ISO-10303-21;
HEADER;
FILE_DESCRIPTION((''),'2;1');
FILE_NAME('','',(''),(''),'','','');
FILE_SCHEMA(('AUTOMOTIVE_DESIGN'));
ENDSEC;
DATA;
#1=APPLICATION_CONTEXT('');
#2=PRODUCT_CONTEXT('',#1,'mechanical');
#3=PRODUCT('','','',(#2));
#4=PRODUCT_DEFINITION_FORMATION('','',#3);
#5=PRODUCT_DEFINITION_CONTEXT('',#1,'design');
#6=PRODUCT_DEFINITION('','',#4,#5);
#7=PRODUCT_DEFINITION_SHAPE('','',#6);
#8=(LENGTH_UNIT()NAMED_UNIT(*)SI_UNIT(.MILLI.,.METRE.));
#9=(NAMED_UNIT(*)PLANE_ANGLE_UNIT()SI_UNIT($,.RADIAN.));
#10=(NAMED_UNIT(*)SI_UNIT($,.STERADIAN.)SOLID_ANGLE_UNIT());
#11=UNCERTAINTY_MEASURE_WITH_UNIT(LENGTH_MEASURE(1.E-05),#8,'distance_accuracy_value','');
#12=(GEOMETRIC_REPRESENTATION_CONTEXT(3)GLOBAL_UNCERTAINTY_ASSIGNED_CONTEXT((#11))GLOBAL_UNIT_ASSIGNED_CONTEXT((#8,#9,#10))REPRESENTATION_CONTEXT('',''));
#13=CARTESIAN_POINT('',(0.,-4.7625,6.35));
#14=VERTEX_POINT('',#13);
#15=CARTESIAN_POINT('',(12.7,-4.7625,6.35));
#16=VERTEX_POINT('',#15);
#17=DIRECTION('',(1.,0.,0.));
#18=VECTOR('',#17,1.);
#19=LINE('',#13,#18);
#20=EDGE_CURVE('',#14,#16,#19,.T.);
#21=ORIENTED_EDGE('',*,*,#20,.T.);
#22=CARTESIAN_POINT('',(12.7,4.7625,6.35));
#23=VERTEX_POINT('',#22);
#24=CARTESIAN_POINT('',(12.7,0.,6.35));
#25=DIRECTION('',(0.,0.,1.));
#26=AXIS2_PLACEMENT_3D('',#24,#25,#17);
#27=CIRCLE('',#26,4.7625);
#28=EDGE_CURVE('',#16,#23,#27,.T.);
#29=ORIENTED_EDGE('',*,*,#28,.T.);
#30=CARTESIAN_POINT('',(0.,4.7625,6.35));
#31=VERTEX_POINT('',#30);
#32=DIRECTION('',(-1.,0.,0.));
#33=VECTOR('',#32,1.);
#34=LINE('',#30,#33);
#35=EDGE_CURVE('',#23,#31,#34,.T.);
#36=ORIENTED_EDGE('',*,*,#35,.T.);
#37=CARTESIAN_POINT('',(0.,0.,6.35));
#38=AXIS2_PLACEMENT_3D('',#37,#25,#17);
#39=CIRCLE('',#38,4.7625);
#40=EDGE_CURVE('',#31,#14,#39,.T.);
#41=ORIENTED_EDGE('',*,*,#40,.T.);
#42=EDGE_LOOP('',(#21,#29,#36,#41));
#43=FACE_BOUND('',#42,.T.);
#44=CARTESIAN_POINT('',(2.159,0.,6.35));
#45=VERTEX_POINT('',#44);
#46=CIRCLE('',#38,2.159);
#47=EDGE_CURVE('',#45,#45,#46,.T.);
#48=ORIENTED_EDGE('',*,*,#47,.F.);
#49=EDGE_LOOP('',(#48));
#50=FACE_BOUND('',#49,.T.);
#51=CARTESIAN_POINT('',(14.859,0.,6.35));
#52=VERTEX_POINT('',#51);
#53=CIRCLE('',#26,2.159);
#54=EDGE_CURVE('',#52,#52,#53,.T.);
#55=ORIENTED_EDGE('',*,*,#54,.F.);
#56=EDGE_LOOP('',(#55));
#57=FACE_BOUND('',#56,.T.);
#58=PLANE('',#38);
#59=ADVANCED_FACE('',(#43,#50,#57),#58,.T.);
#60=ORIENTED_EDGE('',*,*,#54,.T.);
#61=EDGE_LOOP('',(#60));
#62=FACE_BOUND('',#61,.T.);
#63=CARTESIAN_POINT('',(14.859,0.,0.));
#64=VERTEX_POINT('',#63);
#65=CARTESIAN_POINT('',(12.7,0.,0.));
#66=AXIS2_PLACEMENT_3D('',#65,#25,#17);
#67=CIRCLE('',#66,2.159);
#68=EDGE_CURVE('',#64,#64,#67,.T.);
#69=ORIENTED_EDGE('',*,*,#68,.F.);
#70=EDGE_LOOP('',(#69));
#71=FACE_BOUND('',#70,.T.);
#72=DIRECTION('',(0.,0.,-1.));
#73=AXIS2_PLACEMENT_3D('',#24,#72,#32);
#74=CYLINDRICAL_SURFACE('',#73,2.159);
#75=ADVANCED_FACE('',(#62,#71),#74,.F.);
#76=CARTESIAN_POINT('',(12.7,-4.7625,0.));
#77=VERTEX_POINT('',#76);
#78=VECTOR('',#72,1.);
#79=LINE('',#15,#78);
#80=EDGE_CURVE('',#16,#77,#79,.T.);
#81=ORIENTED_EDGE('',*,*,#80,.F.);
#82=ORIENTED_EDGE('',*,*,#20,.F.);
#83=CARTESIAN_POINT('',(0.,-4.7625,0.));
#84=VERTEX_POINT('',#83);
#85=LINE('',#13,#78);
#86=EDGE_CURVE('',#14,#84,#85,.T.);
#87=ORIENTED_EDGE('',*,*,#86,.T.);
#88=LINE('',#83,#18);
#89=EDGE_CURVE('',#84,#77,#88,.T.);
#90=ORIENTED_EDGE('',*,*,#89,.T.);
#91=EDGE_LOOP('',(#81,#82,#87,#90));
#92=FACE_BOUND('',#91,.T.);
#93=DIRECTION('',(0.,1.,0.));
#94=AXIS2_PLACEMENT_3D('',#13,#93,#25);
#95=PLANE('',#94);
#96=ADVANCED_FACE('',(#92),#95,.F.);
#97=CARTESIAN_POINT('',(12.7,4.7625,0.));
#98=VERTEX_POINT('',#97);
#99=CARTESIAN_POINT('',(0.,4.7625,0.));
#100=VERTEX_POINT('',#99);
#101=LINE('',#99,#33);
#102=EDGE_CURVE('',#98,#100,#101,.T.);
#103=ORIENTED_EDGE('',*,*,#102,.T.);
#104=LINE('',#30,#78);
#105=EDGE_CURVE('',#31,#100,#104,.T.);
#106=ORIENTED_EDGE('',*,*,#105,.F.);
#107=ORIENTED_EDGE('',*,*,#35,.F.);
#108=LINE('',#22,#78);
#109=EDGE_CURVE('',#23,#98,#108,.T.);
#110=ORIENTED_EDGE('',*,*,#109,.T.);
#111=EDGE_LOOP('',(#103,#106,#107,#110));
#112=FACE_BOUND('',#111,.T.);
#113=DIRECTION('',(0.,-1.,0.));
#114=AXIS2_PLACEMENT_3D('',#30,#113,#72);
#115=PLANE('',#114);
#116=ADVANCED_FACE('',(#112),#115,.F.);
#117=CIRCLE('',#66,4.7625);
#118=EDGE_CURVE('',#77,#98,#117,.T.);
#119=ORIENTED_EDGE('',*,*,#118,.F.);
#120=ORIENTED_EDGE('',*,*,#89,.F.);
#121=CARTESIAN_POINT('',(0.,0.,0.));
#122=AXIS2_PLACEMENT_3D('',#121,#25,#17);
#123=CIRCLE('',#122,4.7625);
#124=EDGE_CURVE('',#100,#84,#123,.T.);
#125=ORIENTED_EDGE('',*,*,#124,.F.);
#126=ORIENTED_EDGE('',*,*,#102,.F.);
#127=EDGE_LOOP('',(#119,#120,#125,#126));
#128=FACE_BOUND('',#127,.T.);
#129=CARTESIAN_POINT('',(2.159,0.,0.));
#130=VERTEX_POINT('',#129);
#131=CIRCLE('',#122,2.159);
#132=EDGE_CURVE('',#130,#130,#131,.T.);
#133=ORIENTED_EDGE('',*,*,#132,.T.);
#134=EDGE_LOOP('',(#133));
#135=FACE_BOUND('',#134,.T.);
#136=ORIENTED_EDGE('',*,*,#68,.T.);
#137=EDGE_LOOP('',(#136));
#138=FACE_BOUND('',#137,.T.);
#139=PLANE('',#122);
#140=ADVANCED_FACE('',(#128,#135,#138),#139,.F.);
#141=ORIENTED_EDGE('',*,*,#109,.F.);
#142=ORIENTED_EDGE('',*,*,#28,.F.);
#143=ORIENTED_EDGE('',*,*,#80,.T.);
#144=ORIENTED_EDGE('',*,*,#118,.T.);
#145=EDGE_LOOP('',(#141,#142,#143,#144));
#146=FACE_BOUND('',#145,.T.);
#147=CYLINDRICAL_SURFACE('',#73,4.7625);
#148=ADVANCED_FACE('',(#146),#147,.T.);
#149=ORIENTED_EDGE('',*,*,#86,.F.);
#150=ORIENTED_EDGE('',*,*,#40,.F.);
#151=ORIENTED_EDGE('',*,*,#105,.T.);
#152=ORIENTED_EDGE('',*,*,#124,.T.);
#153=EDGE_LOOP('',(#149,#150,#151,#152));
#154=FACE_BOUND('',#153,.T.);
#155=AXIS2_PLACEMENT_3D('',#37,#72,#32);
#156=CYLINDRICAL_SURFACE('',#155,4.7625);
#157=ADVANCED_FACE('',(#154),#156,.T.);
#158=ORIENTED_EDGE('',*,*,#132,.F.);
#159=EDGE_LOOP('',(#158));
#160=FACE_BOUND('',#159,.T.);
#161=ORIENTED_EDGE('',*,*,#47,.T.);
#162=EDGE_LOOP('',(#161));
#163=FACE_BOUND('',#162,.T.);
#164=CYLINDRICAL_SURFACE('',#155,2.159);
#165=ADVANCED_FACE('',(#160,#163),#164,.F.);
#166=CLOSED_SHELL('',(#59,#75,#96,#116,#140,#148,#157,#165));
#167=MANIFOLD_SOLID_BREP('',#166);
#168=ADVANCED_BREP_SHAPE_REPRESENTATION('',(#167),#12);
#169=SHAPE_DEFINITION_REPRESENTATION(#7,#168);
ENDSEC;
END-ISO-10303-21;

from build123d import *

# Parameters (mm, degrees)
SKETCH1_R           = 2.159
BOSS_EXTRUDE1_DEPTH = 6.35


with BuildPart() as part:
    # Sketch1 → Boss-Extrude1 (new body)
    with BuildSketch(Plane.XY):
        with BuildLine():
            Line((0, 4.7625), (12.7, 4.7625))
            ThreePointArc((12.7, 4.7625), (17.4625, 0), (12.7, -4.7625))
            Line((12.7, -4.7625), (0, -4.7625))
            ThreePointArc((0, -4.7625), (-4.7625, 0), (0, 4.7625))
        make_face()
        with Locations((12.7, 0)):
            Circle(SKETCH1_R, mode=Mode.SUBTRACT)
        Circle(SKETCH1_R, mode=Mode.SUBTRACT)
    extrude(amount=BOSS_EXTRUDE1_DEPTH)


solid = part.part
